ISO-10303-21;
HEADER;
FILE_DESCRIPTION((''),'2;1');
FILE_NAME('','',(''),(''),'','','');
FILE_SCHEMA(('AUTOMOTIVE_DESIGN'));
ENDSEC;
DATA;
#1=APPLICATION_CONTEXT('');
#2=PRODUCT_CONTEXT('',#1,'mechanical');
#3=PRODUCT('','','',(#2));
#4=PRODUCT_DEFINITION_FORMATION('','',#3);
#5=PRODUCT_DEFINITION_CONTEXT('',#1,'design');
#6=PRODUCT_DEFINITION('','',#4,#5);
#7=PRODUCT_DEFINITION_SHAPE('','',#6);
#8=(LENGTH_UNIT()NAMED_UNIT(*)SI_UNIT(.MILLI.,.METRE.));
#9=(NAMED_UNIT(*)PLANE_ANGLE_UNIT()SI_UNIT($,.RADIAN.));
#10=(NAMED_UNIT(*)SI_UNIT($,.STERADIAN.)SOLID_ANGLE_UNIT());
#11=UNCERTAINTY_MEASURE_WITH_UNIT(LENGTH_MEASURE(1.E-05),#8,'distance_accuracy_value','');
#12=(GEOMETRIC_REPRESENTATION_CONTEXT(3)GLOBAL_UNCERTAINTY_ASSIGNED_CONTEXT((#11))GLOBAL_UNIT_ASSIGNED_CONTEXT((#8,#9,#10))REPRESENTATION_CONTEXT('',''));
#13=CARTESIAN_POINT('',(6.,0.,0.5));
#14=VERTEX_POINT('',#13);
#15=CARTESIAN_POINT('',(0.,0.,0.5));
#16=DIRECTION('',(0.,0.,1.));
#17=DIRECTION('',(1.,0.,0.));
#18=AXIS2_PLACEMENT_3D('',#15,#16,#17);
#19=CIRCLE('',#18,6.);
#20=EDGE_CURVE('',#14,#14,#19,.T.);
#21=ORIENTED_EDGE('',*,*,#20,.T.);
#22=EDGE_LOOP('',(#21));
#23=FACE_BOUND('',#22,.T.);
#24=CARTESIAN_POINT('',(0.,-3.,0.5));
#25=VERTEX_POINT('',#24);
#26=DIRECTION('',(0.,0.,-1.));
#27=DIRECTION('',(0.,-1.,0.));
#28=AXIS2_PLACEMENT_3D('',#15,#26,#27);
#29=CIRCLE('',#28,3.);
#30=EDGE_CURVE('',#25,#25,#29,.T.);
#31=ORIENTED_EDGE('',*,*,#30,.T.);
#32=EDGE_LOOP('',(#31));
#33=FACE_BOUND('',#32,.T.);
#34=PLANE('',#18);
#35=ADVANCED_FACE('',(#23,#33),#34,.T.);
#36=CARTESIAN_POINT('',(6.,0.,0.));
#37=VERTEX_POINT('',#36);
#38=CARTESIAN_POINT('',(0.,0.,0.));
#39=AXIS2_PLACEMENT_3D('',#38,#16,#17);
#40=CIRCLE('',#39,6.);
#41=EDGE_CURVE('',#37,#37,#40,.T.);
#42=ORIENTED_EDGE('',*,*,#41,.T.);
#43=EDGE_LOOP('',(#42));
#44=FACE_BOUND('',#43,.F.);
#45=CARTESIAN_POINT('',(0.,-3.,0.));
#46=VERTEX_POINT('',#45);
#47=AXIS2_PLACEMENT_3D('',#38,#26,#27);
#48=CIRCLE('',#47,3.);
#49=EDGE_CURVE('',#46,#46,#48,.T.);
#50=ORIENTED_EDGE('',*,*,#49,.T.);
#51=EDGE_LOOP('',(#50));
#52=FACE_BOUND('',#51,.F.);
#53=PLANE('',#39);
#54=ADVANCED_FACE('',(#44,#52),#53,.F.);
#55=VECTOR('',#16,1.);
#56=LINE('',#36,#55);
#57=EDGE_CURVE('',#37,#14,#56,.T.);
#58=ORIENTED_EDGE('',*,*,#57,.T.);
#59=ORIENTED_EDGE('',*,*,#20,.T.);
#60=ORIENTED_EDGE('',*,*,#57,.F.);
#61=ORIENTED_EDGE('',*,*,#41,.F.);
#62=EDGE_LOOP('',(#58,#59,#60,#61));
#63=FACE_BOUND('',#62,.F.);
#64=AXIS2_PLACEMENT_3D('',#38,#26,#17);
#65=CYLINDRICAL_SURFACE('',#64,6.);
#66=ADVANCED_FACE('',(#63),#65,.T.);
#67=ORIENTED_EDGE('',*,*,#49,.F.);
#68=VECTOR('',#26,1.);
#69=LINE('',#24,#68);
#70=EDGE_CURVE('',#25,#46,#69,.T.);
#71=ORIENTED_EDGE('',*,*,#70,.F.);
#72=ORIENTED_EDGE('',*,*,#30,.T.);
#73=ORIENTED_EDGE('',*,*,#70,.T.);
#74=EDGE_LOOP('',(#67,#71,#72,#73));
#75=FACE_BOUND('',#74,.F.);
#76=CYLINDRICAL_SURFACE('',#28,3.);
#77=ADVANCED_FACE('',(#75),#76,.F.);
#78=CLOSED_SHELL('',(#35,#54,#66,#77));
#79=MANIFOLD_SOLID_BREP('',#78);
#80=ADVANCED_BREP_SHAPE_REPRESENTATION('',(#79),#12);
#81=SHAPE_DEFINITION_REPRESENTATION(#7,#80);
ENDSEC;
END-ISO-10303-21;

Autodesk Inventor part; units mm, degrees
ref_plane "YZ Plane" through (0, 0, 0) normal (1, 0, 0) x (0, 1, 0)
ref_plane "XZ Plane" through (0, 0, 0) normal (0, 1, 0) x (-1, 0, 0)
ref_plane "XY Plane" through (0, 0, 0) normal (0, 0, 1) x (1, 0, 0)
sketch "Sketch1" plane through (0, 0, 0) normal (0, 0, 1) x (1, 0, 0)
  line L0 (5, 2.8868) -> (5, -2.8868)
  line L1 (5, 2.8868) -> (0, 5.7735)
  line L2 (-5, 2.8868) -> (0, 5.7735)
  line L3 (0, -5.7735) -> (5, -2.8868)
  line L4 (-5, 2.8868) -> (-5, -2.8868)
  line L5 (-5, -2.8868) -> (0, -5.7735)
  circle A0 centre (0, 0) radius 6
  dimension "d0" = 120
  dimension "d1" = 120
  dimension "d2" = 120
  dimension "d3" = 120
  dimension "d4" = 120
  dimension "d5" = 120
  dimension "d6" = 10
  dimension "d7" = 5
  dimension "d17" = 12
extrude "Extrusion1" add sketch "Sketch1" along normal blind 0.5 contours L0 L3 L5 L4 L2 L1 | A0
sketch "Sketch2" plane through (0, 0, 0.5) normal (0, 0, 1) x (1, 0, 0)
  point P0 (0, 0)
  point P1 (0, 0)
hole "Hole1" at (0, 0, 0.5) direction (0, 0, -1) diameter 6 end through all
properties part number "M5-washer" material "Steel, Mild"
